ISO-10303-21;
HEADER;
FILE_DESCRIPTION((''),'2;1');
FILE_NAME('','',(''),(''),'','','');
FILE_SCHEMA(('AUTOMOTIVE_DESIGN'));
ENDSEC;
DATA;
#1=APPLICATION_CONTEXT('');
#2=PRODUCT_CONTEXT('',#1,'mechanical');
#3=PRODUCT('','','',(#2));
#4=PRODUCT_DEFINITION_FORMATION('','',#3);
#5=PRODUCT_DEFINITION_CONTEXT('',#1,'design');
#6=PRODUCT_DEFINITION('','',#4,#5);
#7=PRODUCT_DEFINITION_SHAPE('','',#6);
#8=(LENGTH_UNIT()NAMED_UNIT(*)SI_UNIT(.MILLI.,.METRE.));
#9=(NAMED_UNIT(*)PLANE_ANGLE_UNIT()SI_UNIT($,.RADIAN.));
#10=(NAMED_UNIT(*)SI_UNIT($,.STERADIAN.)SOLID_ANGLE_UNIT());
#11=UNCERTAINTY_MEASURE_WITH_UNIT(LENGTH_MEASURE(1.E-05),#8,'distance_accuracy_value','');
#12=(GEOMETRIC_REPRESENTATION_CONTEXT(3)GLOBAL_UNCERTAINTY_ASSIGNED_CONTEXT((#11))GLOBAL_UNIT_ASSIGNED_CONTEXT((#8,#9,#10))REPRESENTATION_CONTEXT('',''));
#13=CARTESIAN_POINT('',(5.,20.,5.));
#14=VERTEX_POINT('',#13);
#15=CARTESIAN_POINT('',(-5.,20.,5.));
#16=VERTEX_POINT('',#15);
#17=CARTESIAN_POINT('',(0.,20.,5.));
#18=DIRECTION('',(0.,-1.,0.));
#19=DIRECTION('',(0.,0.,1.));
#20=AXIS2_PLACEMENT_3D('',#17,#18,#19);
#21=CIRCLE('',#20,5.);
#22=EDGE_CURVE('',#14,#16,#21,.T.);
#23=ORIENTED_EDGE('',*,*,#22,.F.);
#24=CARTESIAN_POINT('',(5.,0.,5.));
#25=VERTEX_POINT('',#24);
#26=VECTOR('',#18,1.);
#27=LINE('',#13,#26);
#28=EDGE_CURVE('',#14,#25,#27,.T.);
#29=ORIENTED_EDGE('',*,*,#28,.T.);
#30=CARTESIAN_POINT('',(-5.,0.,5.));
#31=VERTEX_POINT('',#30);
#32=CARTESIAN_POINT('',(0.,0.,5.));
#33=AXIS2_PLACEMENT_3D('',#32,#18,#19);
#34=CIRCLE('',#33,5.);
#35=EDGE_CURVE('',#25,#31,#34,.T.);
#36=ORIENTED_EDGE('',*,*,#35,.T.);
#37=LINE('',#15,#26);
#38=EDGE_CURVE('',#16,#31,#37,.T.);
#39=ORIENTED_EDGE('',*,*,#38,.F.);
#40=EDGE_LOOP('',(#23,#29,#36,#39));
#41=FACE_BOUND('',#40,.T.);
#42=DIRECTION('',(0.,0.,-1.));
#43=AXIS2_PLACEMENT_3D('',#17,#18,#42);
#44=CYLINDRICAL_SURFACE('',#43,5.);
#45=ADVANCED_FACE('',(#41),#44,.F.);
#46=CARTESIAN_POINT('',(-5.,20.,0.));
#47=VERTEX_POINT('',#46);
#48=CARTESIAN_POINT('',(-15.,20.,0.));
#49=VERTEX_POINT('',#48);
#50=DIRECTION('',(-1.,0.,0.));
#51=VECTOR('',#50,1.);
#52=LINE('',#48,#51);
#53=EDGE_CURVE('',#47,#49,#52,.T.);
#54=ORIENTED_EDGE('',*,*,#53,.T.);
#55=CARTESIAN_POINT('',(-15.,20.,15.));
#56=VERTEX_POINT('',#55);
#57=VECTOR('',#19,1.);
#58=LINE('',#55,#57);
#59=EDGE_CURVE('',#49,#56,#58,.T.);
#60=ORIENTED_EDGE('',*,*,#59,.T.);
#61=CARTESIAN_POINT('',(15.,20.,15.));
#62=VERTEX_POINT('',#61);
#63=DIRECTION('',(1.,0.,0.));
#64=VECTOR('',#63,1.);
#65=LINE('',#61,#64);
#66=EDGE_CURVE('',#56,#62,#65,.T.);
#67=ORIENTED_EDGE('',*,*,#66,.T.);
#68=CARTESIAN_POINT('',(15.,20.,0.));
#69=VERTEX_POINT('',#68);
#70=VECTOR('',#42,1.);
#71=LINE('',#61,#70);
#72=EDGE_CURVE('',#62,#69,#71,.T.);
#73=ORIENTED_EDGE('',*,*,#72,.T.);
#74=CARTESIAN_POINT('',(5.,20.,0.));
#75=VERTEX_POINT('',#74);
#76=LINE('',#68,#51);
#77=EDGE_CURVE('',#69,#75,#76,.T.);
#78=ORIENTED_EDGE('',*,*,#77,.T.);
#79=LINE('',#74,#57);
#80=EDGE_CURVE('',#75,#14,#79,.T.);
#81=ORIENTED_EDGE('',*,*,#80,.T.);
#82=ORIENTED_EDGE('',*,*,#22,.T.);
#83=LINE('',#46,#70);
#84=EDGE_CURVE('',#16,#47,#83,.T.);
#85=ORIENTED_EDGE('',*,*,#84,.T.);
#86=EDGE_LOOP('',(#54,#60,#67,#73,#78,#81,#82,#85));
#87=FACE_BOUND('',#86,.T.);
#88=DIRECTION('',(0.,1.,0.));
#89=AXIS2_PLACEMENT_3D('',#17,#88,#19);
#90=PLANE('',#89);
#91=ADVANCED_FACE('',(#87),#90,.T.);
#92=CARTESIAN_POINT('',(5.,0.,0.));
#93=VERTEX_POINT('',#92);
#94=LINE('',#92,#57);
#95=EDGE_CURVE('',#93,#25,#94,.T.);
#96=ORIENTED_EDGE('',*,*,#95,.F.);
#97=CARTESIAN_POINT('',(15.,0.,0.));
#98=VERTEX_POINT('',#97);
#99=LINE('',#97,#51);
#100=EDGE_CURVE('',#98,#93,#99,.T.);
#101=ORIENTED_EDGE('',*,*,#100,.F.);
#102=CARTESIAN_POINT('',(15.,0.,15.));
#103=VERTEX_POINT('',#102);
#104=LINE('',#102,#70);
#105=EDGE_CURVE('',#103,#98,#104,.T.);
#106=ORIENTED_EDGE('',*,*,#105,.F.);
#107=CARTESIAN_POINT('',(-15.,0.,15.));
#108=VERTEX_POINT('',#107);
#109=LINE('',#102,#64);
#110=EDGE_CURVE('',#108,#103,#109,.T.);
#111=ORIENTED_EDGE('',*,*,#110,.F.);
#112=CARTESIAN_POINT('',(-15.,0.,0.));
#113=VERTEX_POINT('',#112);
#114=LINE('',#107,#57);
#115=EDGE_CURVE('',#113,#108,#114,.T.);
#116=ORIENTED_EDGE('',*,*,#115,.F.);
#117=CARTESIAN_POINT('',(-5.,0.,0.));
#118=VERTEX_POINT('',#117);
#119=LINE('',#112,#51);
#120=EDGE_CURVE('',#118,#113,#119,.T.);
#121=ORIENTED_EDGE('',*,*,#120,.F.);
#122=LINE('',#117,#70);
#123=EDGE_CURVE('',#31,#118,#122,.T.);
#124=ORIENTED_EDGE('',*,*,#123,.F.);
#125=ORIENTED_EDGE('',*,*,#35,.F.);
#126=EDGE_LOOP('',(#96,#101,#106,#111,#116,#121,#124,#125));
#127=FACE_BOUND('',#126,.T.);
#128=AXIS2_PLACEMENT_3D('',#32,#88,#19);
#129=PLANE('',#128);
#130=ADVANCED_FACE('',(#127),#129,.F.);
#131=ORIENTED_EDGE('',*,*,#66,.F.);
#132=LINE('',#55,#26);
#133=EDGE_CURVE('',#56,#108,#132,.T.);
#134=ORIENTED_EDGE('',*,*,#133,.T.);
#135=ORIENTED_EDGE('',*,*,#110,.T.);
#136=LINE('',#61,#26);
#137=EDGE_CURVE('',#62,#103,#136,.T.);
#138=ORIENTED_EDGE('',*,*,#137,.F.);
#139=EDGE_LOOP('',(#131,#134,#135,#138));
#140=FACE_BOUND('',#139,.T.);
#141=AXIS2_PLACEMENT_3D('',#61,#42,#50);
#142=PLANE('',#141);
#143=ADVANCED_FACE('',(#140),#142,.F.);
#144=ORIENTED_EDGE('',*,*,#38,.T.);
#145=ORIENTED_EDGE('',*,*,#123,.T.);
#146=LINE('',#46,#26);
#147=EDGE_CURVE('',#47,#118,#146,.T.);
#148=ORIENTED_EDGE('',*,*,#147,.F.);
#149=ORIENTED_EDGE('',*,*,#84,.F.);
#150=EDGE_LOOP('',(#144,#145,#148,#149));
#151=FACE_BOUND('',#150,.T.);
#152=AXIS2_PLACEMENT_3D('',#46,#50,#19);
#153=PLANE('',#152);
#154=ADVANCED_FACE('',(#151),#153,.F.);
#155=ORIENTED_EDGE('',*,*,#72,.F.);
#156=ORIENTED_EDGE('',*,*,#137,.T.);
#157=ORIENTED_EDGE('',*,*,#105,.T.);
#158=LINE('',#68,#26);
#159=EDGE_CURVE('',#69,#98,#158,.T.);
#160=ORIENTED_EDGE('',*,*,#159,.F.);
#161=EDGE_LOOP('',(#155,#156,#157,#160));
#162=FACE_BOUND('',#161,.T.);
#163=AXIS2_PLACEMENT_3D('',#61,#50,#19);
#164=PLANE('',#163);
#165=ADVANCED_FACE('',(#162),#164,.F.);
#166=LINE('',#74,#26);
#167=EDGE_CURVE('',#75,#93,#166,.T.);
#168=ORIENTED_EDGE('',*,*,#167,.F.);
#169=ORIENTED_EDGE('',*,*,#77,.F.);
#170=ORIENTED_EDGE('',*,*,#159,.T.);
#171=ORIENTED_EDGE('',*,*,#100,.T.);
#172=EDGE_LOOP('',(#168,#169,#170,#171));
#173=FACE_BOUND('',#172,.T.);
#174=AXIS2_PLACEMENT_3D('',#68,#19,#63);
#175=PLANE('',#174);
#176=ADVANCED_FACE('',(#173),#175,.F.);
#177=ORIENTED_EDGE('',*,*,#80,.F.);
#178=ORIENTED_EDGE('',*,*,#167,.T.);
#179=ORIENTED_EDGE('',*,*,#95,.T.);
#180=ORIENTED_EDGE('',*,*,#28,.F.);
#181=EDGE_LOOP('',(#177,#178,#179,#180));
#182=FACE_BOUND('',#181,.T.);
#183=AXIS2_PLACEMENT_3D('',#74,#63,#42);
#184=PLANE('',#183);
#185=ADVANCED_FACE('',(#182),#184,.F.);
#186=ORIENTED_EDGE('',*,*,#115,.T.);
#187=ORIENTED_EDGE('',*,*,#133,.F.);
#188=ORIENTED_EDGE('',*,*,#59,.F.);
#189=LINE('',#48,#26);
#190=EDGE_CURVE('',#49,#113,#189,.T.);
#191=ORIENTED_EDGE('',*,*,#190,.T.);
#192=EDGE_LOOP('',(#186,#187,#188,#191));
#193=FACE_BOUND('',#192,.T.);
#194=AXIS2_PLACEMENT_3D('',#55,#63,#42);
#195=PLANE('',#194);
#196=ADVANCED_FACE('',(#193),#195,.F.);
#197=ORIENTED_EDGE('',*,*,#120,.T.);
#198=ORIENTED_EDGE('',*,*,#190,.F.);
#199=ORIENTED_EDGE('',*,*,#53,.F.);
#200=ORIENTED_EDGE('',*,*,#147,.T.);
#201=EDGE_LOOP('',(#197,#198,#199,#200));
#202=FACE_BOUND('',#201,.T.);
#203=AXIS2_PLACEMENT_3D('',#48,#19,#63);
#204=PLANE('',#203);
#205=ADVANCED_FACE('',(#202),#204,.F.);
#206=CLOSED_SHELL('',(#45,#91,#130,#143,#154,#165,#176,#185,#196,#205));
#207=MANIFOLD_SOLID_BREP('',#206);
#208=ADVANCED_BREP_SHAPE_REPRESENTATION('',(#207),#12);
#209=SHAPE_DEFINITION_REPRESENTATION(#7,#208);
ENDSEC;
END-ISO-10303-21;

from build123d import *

# Parameters (mm, degrees)
BOSS_EXTRUDE1_DEPTH = 20


with BuildPart() as part:
    # Sketch2 → Boss-Extrude1 (new body)
    with BuildSketch(Plane(origin=(0, 0, 0), x_dir=(1, 0, 0), z_dir=(0, 1, 0))):
        with BuildLine():
            Line((-5, 0), (-5, -5))
            ThreePointArc((-5, -5), (0, -10), (5, -5))
            Line((5, -5), (5, 0))
            Line((5, 0), (15, 0))
            Line((15, 0), (15, -15))
            Line((15, -15), (-15, -15))
            Line((-15, -15), (-15, 0))
            Line((-15, 0), (-5, 0))
        make_face()
    extrude(amount=BOSS_EXTRUDE1_DEPTH)


solid = part.part
